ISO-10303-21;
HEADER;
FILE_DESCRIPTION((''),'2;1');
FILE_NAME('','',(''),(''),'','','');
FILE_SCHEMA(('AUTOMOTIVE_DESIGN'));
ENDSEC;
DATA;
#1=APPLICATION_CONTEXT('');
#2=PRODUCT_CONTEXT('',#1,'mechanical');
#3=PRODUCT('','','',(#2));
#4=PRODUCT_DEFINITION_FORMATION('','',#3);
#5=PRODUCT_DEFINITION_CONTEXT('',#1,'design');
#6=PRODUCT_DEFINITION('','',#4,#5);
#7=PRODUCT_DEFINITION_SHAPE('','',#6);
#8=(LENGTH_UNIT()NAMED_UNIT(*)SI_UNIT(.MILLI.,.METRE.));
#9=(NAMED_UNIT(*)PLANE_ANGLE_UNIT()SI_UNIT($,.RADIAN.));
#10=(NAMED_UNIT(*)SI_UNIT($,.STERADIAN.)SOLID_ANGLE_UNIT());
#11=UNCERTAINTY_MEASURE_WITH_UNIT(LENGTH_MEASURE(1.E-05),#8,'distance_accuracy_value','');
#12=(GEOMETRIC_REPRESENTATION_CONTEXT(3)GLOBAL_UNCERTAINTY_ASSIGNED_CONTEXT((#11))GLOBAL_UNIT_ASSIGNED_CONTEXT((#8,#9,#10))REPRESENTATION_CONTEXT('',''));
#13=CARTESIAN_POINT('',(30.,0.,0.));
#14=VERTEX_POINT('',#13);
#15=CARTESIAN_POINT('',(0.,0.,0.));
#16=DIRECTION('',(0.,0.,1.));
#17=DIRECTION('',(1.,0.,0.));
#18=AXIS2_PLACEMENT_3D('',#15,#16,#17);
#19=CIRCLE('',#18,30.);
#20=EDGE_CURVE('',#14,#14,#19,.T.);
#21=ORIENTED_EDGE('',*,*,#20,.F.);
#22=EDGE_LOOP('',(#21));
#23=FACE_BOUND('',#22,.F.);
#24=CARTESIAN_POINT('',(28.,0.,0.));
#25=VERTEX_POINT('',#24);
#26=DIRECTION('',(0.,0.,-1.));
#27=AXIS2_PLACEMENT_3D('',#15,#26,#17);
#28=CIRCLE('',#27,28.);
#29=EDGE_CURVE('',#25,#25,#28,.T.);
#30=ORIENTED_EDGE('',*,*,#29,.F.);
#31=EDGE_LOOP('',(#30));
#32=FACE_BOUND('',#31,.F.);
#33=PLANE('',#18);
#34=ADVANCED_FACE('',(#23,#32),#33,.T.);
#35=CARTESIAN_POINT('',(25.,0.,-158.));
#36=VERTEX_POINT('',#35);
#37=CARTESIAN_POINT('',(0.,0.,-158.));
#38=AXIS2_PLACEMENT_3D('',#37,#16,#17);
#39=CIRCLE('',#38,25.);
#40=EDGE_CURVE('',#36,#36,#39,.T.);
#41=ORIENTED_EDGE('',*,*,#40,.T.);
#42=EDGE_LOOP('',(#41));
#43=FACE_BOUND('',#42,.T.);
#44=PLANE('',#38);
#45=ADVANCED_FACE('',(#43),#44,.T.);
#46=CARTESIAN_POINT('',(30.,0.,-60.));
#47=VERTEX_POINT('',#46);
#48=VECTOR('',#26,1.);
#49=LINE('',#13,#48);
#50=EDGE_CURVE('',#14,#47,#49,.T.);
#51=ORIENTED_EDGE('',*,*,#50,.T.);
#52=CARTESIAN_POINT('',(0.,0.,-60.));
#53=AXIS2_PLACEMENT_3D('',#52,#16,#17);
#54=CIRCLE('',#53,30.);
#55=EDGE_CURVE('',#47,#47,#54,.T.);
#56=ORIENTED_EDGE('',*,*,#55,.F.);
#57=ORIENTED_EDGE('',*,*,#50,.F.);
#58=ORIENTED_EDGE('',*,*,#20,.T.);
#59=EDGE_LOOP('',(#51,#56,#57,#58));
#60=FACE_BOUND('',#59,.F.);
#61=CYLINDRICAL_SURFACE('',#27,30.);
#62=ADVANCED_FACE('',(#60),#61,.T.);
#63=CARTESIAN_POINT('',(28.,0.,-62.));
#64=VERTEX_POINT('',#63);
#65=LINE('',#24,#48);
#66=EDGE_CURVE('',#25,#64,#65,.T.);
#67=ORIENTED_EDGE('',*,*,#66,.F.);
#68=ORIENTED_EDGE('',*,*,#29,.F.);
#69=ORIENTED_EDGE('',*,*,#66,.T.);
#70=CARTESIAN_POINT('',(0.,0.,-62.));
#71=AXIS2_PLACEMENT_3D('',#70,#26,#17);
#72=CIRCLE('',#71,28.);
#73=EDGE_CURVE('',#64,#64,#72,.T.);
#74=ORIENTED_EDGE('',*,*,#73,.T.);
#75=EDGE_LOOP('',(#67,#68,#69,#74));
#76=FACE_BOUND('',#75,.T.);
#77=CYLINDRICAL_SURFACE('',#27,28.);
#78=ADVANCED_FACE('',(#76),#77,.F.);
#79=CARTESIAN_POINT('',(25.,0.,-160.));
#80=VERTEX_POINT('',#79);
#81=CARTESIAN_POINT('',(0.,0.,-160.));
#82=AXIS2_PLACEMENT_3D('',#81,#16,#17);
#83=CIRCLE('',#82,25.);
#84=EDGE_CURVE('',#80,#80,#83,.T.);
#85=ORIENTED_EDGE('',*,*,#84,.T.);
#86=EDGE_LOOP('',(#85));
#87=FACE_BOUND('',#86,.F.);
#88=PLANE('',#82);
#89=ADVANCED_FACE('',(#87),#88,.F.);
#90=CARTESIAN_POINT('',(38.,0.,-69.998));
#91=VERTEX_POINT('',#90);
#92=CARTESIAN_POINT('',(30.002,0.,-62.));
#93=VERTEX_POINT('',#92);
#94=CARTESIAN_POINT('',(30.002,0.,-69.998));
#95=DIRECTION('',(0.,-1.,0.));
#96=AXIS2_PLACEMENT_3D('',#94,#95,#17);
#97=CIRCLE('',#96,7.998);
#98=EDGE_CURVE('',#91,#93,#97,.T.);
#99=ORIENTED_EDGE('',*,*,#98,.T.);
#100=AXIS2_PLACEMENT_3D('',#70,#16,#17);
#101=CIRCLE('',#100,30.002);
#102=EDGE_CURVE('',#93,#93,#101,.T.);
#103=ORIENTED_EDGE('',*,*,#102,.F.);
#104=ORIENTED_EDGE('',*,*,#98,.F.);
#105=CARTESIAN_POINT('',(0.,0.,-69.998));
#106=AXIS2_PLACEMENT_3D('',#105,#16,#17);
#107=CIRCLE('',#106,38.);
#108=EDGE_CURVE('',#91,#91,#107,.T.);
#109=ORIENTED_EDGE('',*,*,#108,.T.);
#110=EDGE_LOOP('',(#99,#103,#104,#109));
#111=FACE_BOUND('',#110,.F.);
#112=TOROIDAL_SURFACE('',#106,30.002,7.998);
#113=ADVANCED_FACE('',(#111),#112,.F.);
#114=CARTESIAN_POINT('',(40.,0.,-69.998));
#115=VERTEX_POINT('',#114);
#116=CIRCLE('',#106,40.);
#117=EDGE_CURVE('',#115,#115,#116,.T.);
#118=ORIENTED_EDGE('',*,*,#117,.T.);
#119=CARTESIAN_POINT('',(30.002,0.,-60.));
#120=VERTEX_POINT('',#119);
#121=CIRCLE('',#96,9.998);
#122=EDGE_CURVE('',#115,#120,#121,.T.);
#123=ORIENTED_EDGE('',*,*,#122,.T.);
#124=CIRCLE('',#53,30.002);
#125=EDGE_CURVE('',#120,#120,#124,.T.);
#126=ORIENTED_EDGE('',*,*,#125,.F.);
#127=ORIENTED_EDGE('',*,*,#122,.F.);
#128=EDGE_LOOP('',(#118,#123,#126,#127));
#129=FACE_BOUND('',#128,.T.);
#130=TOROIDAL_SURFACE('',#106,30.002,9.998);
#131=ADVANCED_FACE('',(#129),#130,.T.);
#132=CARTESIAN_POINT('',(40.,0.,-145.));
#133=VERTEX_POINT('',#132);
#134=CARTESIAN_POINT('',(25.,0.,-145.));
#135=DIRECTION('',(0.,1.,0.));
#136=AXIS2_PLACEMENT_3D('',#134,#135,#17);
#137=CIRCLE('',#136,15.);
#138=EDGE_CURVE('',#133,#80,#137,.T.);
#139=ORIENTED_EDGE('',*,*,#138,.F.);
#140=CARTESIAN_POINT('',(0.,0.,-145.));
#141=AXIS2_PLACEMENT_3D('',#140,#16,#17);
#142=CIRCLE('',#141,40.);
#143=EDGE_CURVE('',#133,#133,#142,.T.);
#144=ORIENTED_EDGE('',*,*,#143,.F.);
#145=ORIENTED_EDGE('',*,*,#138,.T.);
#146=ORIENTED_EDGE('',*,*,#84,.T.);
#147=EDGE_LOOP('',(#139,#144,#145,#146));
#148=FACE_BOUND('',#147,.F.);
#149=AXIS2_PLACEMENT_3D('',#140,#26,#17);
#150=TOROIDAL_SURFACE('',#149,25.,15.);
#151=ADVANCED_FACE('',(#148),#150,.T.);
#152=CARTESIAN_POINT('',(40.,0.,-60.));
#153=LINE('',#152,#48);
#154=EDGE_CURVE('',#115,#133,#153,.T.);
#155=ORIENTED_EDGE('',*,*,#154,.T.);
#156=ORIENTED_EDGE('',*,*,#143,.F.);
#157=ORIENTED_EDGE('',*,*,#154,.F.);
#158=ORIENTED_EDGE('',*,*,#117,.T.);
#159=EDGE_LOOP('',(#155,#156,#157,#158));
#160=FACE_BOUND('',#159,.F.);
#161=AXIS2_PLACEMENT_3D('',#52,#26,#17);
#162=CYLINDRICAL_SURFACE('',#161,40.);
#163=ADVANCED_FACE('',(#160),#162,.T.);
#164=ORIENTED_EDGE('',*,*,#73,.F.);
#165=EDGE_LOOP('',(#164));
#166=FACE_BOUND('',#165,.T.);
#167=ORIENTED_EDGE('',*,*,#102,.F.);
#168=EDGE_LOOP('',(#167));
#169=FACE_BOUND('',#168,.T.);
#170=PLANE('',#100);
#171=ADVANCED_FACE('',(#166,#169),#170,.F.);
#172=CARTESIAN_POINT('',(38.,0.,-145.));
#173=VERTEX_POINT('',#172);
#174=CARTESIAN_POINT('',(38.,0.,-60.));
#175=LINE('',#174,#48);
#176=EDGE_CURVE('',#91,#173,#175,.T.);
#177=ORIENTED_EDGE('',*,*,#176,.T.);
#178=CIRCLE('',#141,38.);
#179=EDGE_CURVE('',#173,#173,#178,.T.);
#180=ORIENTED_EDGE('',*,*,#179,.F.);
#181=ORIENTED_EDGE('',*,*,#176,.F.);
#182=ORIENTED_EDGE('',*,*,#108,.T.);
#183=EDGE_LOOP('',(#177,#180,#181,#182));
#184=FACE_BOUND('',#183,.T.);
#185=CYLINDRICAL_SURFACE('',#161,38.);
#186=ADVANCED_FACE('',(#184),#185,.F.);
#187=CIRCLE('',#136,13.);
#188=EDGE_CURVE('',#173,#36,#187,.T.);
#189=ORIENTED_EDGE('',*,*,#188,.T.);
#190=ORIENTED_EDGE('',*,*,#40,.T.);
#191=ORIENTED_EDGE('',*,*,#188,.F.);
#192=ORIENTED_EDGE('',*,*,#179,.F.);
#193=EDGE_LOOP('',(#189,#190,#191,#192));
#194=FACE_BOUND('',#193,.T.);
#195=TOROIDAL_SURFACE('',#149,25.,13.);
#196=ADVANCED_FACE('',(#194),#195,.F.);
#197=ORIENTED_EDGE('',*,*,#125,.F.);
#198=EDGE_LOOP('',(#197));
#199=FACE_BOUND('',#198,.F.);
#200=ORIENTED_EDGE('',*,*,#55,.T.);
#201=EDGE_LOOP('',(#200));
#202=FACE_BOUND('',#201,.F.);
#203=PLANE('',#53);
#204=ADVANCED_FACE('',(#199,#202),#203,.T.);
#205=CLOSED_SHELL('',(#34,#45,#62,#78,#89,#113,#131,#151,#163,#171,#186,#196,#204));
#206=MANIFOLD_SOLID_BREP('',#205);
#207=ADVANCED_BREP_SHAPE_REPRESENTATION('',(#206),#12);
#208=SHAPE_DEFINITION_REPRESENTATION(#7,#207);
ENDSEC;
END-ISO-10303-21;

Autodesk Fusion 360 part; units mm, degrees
sketch "Sketch1" plane through (0, 0, 0) normal (0, 1, 0) x (1, 0, 0)
  line L0 (0, 0) -> (30, 0)
  line L1 (30, 0) -> (30, 60)
  line L2 (30, 60) -> (40, 60)
  line L3 (40, 60) -> (40, 160)
  line L4 (40, 160) -> (0, 160)
  line L5 (0, 160) -> (0, 0)
  dimension "d8" = 100
  dimension "d9" = 160
  dimension "d10" = 30
revolve "Revolve1" add sketch "Sketch1" angle 360 about axis through (0, 0, -160) along (0, 0, 1)
fillet "Fillet1" radius 10 1 edges at (-37.2931, -14.4646, -60)
fillet "Fillet2" radius 15 1 edges at (-37.2931, -14.4646, -160)
shell "Shell1" thickness 2 removed faces 1 at (14.141, -6.0737, 0)
equation "overalheight = 160 mm"
equation "neckheight = 100 mm"
equation "fillet1 = 15 mm"
equation "fillet2 = 10 mm"
equation "fillet3 = 5 mm"
equation "diameter = 30 mm"
equation "wallthickness = 2 mm"
equation "d8 = neckheight"
equation "d9 = overalheight"
equation "d10 = diameter"
equation "d12 = fillet2"
equation "d13 = fillet1"
equation "d14 = wallthickness"
